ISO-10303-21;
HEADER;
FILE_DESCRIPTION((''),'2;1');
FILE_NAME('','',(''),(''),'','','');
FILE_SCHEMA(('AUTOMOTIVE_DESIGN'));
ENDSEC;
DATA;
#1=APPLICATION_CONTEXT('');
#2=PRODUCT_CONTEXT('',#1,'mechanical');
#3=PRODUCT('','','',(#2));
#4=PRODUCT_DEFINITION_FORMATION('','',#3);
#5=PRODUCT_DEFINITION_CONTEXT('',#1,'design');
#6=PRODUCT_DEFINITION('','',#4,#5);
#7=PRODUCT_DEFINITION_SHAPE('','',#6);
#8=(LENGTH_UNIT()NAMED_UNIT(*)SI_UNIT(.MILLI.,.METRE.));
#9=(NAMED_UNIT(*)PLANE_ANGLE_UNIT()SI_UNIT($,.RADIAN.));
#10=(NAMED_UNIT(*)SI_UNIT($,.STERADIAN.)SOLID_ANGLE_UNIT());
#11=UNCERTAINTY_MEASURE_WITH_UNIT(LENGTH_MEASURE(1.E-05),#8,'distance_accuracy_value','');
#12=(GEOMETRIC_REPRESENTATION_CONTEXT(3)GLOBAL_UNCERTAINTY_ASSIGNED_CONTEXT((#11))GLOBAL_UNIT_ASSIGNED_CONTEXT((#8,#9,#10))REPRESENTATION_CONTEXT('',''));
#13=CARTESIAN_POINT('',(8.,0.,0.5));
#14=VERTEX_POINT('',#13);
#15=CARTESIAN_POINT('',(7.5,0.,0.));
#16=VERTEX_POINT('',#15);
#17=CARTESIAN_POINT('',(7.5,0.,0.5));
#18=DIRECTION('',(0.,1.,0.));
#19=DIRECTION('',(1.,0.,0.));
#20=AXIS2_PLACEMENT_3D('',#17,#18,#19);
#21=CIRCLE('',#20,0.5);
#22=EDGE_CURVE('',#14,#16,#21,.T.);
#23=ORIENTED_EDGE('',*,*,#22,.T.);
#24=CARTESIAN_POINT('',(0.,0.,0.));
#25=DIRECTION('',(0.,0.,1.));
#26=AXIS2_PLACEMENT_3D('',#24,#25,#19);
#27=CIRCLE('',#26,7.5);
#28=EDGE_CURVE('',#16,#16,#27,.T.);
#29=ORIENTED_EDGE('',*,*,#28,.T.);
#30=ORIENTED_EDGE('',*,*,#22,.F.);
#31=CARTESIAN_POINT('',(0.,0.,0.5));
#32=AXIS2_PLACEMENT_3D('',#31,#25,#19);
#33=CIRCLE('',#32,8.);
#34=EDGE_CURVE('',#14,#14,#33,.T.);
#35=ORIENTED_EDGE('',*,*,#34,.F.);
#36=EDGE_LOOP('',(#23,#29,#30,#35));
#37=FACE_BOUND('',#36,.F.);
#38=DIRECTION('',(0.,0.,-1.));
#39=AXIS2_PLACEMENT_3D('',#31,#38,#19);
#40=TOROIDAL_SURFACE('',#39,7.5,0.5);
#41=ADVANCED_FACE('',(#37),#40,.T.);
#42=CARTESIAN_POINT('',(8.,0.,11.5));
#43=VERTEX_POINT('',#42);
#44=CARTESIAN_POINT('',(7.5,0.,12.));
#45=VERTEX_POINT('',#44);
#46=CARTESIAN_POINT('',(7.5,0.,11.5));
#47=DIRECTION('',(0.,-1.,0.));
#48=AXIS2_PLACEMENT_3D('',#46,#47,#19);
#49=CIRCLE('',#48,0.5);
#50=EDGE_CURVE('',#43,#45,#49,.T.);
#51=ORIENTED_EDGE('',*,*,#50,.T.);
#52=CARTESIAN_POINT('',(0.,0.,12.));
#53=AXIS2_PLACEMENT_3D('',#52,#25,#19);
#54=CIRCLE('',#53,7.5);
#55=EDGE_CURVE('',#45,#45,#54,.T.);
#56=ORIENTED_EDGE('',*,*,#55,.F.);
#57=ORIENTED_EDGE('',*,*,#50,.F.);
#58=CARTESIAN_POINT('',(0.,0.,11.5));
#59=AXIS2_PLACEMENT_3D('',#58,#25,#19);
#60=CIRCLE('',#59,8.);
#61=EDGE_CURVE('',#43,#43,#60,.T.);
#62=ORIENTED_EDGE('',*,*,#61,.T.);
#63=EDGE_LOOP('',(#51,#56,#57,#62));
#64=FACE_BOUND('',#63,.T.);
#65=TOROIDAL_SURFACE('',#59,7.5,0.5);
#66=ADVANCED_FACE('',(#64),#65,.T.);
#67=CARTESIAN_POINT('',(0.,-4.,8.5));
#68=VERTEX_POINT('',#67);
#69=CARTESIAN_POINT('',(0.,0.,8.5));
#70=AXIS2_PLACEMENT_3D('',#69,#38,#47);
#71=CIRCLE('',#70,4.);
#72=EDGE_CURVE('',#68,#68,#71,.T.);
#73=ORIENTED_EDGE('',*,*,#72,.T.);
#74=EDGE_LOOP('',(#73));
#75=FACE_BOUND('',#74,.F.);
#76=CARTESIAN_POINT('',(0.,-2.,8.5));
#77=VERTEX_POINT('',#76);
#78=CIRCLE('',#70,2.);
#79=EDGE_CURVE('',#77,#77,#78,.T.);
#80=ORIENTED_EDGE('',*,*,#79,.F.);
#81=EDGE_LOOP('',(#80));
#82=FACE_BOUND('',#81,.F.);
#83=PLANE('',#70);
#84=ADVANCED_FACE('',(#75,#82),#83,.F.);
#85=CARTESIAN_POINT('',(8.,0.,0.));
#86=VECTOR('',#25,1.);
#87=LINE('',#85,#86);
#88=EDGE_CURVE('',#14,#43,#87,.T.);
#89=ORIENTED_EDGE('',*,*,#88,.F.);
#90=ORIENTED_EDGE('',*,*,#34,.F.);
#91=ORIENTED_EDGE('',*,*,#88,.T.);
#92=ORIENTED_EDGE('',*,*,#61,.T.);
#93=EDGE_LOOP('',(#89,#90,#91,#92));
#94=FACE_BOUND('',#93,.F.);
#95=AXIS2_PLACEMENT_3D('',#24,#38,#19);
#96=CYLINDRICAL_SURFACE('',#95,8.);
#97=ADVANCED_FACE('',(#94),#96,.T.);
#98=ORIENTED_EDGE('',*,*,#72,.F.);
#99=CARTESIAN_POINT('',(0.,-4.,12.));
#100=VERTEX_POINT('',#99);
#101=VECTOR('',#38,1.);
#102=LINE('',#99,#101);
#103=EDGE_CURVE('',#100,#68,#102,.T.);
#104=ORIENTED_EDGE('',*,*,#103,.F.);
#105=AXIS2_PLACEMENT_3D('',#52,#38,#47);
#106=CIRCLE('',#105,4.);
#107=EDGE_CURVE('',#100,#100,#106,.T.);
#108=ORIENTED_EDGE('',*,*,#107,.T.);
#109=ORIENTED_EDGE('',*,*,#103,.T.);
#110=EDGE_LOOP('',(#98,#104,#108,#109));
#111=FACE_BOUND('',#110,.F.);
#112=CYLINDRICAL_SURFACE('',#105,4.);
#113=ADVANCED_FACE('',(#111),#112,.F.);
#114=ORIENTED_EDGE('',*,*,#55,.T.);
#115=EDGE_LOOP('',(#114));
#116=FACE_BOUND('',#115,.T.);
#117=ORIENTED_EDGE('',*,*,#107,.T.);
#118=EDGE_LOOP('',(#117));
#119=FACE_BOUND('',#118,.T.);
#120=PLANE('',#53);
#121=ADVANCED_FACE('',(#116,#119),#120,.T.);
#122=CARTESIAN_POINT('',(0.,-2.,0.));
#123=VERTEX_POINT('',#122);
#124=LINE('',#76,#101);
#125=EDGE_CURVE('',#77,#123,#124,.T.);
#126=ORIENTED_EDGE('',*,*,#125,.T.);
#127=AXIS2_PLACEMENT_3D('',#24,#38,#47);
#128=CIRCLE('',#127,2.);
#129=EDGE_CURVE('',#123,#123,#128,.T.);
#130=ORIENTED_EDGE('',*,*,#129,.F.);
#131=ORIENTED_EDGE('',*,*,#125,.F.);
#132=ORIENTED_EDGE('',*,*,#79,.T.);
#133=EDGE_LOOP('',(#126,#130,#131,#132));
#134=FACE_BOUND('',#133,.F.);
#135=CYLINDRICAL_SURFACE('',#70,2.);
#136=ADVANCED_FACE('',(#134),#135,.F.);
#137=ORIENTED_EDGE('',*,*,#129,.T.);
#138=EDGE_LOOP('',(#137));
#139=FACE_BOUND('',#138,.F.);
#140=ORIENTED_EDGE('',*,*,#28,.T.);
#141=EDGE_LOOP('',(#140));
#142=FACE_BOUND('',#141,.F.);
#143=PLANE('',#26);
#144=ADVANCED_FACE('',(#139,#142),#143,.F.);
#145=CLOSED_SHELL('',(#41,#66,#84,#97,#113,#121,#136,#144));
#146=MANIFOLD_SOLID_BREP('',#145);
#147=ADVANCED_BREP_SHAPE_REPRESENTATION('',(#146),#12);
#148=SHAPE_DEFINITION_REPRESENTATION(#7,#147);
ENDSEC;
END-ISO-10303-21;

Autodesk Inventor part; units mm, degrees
ref_plane "YZ Plane" through (0, 0, 0) normal (1, 0, 0) x (0, 1, 0)
ref_plane "XZ Plane" through (0, 0, 0) normal (0, 1, 0) x (-1, 0, 0)
ref_plane "XY Plane" through (0, 0, 0) normal (0, 0, 1) x (1, 0, 0)
sketch "Sketch1" plane through (0, 0, 0) normal (0, 0, 1) x (1, 0, 0)
  circle A0 centre (0, 0) radius 8
  dimension "d0" = 16
extrude "Extrusion1" add sketch "Sketch1" along normal blind 12
sketch "Sketch2" plane through (0, 0, 12) normal (0, 0, 1) x (1, 0, 0)
  circle A0 centre (0, 0) radius 8 projected
hole "Hole1" at (0, 0, 12) direction (0, 0, -1) diameter 4 end through all counterbore diameter 8 counterbore depth 3.5
fillet "Fillet1" radius 0.5 2 edges at (-8, 0, 12) (-8, 0, 0)
properties part number "Silicone Bed Spacers" material "Rubber, Silicone"
